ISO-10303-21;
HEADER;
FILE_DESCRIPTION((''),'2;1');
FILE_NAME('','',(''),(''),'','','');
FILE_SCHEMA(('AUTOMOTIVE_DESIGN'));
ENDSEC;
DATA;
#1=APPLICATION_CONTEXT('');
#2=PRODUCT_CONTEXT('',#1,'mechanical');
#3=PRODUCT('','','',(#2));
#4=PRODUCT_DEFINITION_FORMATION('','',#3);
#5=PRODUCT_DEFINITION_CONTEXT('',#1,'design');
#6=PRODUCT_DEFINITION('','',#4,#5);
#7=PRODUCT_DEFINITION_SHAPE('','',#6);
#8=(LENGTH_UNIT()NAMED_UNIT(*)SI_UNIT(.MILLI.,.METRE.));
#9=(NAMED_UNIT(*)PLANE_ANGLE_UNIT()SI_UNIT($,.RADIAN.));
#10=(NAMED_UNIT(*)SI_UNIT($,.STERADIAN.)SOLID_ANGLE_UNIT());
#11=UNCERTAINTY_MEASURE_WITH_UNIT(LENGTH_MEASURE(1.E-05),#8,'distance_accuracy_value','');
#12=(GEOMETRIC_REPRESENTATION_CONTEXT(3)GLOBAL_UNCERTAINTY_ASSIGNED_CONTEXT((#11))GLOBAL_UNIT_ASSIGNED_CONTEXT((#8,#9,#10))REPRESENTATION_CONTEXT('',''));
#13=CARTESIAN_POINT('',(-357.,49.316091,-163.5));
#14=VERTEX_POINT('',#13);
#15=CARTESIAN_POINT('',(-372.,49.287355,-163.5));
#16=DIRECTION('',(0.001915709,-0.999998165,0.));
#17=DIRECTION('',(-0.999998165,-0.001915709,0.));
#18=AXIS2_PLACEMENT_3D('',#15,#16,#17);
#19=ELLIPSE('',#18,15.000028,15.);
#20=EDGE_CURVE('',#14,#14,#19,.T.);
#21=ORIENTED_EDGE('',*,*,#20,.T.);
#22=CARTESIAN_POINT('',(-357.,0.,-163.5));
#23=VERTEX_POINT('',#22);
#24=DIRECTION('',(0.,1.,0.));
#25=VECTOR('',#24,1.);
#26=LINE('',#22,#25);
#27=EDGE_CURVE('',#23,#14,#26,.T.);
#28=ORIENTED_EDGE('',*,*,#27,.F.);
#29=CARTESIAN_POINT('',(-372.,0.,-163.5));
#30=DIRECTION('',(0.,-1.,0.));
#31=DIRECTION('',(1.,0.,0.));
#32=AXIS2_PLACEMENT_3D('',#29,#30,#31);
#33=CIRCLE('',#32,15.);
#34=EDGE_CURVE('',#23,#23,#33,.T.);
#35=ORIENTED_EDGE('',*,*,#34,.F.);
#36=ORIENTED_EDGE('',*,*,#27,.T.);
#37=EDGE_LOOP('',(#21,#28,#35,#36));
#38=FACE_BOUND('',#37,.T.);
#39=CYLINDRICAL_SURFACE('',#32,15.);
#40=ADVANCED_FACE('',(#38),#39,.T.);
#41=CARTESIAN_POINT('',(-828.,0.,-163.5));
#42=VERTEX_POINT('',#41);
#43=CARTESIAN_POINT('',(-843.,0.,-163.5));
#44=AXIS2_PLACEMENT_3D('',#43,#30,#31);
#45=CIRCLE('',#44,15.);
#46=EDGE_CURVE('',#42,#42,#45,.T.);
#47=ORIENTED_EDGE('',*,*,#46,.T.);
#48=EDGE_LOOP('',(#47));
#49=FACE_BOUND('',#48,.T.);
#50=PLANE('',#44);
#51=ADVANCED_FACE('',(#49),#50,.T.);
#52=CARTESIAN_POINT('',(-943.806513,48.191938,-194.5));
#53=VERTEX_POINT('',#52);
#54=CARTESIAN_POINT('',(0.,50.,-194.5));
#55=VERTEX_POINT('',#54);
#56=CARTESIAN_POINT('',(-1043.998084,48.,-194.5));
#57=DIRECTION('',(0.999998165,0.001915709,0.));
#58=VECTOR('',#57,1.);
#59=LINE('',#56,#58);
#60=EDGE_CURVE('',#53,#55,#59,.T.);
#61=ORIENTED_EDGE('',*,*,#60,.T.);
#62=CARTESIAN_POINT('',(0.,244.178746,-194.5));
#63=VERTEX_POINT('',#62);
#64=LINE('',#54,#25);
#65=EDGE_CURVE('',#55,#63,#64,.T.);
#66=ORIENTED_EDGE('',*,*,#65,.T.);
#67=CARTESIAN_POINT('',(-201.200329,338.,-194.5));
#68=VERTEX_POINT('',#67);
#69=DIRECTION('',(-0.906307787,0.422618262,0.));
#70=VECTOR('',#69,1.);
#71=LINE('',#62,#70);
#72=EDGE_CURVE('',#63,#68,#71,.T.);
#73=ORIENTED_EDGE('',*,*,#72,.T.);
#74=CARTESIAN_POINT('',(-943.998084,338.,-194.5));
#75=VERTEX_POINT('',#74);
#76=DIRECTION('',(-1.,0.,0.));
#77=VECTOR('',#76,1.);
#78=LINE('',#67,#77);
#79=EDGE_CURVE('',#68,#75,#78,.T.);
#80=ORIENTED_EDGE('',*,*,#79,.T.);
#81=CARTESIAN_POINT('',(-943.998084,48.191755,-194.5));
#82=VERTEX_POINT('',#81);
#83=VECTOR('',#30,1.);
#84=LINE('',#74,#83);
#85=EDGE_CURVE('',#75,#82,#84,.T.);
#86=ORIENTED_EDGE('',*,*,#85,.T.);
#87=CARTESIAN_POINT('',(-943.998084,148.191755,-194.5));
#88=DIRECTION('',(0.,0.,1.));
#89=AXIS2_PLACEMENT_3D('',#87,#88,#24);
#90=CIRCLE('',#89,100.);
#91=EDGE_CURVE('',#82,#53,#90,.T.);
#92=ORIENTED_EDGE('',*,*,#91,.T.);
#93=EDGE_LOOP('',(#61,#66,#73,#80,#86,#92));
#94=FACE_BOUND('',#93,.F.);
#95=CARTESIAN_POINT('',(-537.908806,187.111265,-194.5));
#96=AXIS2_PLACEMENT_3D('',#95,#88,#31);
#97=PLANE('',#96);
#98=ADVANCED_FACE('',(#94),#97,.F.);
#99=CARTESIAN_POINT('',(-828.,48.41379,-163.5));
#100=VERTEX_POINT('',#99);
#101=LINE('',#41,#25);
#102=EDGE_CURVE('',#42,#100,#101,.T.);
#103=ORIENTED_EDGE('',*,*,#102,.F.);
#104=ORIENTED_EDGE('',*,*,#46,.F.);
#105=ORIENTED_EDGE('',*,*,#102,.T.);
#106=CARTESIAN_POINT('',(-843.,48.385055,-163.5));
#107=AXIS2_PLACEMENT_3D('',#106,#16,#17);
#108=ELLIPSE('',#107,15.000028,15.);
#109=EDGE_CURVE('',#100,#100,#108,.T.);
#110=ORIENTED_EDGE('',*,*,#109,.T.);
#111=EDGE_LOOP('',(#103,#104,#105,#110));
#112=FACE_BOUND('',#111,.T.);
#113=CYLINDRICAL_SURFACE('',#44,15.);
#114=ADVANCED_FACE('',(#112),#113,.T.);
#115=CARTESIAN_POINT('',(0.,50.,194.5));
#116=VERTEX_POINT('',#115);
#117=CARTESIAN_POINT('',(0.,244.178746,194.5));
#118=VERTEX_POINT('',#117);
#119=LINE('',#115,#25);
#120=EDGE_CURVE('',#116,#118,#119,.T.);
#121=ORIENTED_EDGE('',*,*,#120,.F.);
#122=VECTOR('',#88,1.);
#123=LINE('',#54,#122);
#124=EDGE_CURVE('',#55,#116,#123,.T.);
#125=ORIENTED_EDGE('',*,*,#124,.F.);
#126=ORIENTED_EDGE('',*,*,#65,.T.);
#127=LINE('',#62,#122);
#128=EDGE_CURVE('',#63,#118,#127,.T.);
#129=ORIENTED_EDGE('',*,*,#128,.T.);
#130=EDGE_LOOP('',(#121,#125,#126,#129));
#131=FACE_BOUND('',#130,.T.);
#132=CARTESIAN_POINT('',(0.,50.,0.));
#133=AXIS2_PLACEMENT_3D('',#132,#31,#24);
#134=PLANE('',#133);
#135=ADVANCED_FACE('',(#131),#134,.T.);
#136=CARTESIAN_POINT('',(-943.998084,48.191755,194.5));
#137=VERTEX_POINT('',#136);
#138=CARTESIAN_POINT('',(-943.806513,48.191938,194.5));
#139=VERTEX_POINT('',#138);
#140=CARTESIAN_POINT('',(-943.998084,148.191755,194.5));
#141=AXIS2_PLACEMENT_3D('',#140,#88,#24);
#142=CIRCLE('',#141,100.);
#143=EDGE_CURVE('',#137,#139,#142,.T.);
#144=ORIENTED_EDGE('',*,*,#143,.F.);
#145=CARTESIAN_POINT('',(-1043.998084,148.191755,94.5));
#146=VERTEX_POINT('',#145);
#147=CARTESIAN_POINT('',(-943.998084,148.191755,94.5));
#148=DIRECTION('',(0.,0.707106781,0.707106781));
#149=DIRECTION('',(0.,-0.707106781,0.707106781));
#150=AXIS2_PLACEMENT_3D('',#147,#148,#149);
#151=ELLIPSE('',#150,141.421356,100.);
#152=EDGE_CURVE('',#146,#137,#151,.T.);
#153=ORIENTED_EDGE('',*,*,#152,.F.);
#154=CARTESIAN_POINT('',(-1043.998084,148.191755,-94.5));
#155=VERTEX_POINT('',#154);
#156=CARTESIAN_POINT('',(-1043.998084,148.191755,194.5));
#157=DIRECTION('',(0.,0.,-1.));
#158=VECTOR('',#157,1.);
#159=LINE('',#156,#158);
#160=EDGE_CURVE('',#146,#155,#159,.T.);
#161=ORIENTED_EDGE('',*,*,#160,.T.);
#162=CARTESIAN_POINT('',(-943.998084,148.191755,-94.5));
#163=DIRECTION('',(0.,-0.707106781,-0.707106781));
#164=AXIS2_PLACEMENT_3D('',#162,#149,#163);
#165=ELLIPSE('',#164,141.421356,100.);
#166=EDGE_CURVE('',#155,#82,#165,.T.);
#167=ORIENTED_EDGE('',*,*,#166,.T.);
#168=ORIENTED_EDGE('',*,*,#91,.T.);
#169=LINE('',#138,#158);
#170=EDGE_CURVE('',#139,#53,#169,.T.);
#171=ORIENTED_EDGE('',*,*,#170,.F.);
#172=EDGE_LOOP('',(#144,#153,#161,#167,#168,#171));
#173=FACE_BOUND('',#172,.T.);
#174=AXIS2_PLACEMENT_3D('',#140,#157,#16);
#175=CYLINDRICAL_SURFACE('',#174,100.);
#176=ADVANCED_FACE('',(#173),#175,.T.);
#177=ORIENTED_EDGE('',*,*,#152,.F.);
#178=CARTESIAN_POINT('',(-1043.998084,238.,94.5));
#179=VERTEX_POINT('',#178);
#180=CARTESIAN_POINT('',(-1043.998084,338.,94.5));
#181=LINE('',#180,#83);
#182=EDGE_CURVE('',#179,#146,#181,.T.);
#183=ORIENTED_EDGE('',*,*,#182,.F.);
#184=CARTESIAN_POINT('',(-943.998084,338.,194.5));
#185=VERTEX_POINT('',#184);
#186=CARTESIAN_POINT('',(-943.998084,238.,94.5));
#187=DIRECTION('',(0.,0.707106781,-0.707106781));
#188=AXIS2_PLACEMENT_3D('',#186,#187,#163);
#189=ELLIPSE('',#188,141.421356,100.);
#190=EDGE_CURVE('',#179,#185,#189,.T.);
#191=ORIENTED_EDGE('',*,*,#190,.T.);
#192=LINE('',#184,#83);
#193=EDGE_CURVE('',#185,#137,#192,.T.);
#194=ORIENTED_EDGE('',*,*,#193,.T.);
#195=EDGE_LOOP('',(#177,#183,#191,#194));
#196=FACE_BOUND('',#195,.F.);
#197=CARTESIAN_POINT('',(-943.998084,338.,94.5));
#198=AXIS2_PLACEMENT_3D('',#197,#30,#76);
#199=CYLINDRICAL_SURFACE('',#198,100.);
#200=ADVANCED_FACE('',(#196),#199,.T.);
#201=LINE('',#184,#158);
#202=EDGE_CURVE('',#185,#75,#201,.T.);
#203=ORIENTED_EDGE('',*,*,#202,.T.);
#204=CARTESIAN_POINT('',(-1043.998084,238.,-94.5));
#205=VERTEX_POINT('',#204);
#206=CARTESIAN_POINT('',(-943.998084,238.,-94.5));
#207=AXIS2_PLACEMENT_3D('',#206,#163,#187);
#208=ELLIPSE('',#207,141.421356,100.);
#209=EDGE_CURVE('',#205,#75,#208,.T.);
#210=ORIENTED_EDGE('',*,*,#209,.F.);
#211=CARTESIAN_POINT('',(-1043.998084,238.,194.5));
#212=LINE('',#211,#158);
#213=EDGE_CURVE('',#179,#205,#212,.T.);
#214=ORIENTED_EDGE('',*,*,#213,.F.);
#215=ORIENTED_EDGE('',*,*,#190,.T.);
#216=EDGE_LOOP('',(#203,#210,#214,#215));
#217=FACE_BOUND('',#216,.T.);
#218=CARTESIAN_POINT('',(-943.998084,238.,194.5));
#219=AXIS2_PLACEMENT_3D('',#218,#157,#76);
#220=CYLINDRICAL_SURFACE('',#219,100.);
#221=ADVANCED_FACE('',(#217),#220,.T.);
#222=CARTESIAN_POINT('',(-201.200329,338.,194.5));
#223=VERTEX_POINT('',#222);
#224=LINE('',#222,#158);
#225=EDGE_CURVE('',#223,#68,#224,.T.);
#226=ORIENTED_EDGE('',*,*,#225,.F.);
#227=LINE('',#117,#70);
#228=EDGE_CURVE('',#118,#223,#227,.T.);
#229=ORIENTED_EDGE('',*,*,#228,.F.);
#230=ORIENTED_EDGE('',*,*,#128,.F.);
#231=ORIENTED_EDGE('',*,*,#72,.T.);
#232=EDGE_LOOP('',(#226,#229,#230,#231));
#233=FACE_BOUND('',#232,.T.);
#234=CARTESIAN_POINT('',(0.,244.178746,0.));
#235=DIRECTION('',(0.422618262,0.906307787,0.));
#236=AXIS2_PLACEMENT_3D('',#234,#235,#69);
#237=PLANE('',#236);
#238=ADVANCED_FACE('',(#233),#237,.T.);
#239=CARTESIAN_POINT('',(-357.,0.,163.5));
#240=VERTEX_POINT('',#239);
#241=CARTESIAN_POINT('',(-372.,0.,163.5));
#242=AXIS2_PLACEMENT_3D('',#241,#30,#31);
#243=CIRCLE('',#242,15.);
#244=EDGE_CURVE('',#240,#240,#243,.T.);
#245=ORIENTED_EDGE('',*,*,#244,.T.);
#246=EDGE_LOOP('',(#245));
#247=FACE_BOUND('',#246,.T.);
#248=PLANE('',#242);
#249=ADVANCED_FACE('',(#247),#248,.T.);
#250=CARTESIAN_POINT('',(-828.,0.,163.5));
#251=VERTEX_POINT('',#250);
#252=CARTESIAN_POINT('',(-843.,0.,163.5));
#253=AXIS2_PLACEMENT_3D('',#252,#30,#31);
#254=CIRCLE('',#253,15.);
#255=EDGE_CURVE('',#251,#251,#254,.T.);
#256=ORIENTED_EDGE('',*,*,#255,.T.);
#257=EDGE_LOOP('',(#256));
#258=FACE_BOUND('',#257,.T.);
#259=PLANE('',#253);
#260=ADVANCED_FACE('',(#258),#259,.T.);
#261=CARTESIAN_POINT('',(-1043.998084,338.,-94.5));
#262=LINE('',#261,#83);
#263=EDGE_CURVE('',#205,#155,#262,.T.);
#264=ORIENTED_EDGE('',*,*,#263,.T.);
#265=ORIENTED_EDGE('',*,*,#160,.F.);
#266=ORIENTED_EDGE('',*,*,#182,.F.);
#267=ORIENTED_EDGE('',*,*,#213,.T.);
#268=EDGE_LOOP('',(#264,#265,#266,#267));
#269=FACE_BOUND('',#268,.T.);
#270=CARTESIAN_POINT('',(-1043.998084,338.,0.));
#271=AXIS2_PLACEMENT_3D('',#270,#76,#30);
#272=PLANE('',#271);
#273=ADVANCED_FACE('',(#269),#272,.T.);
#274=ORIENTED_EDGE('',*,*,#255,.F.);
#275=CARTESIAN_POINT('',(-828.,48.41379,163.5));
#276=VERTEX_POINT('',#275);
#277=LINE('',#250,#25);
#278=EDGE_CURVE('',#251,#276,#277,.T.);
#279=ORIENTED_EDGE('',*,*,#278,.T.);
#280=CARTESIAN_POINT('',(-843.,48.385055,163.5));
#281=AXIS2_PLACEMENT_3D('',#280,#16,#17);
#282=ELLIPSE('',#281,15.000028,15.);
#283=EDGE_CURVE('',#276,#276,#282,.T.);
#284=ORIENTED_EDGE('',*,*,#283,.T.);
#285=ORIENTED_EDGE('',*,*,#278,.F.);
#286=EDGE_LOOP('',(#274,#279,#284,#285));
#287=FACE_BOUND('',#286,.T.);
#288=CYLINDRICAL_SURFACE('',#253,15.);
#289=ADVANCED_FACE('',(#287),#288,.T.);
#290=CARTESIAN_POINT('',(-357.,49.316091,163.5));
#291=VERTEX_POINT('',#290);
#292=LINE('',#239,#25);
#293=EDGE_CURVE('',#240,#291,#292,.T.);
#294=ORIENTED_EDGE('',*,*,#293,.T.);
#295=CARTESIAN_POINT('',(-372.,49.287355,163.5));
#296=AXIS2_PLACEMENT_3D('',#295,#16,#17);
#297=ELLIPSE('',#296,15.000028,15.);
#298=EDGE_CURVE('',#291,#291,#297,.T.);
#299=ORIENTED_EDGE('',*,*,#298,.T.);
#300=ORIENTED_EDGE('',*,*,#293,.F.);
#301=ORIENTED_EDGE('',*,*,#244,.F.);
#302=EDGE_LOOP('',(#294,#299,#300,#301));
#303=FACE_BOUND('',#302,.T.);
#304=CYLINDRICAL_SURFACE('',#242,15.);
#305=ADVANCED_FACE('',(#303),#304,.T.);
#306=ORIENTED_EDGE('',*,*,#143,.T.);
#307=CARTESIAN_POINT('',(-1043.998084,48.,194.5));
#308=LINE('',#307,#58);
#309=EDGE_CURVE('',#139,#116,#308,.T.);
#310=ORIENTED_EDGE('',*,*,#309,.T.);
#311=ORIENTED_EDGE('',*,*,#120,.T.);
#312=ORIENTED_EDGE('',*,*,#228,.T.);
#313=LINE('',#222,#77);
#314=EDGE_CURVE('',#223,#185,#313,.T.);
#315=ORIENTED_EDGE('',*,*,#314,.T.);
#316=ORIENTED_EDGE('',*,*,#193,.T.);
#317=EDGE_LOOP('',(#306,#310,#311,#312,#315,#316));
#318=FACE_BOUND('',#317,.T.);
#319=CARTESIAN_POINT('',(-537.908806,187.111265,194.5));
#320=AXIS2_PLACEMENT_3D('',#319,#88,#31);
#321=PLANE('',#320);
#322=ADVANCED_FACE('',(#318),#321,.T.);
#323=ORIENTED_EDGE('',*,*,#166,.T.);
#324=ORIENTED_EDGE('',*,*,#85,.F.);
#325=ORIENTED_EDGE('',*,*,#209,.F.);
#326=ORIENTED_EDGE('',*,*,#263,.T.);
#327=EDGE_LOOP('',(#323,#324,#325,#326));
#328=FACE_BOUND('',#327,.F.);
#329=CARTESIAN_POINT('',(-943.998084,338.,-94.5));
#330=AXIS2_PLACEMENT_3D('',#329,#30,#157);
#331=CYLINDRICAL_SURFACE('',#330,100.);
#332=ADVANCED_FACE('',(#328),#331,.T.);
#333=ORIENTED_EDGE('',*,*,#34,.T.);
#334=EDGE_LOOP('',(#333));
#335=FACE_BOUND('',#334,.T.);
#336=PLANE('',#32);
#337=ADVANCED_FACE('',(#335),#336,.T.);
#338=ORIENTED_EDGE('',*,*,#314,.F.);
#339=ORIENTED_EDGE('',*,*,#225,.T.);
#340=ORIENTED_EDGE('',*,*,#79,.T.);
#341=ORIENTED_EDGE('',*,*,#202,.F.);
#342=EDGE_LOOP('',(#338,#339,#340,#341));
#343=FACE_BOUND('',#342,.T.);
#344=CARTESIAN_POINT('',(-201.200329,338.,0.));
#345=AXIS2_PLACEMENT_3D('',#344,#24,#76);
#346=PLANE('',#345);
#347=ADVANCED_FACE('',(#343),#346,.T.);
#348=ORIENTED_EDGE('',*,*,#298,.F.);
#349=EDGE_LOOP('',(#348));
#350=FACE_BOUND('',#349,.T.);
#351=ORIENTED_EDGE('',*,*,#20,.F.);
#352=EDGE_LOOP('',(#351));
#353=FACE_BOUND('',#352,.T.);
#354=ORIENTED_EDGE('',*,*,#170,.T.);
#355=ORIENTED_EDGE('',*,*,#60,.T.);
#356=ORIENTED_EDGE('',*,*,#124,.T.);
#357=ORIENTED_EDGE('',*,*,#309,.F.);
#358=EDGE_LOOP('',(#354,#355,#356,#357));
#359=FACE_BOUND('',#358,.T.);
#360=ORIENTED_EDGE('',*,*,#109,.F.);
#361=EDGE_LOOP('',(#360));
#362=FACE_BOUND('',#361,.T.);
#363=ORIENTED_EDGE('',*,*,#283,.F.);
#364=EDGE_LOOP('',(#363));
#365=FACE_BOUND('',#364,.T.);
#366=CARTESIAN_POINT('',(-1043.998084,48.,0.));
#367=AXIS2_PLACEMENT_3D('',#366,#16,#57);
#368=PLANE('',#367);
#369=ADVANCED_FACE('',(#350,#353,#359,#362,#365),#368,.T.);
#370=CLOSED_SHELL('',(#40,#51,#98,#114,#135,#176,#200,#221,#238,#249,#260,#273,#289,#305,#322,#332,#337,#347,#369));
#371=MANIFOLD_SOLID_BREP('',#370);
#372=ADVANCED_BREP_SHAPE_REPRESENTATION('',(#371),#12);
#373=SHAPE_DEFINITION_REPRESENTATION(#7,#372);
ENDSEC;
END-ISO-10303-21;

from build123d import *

# Parameters (mm, degrees)
F1_DEPTH = 194.5
F2_DEPTH = 194.5
F3_R     = 15
F5_R     = 100


with BuildPart() as f1:
    # F0 (on Top) → F1 (new body)
    with BuildSketch(Plane.XY):
        Polygon((-1043.9980842894, 48), (0, 50), (0, 244.1787458936), (-201.2003287221, 338), (-1043.9980842894, 338), (-1043.9980842894, 50), align=None)
    extrude(amount=F1_DEPTH)

    # F0 (on Top) → F2 (join)
    with BuildSketch(Plane.XY):
        Polygon((-1043.9980842894, 48), (0, 50), (0, 244.1787458936), (-201.2003287221, 338), (-1043.9980842894, 338), (-1043.9980842894, 50), align=None)
    extrude(amount=-F2_DEPTH)

    # F3 (on Front) → F4 (join, up to the next surface of F1)
    with BuildSketch(Plane.XZ):
        with Locations((-843, 163.5)):
            Circle(F3_R)
        with Locations((-843, -163.5)):
            Circle(F3_R)
        with Locations((-372, 163.5)):
            Circle(F3_R)
        with Locations((-372, -163.5)):
            Circle(F3_R)
    extrude(until=Until.NEXT, dir=(0, 1, 0))

    # F5
    f5_edges = [f1.edges().sort_by_distance(p)[0] for p in [
        (-1043.998084, 338, 0),
        (-1043.998084, 193, 194.5),
        (-1043.998084, 48, 0),
        (-1043.998084, 193, -194.5),
    ]]
    fillet(f5_edges, radius=F5_R)


solid = f1.part
